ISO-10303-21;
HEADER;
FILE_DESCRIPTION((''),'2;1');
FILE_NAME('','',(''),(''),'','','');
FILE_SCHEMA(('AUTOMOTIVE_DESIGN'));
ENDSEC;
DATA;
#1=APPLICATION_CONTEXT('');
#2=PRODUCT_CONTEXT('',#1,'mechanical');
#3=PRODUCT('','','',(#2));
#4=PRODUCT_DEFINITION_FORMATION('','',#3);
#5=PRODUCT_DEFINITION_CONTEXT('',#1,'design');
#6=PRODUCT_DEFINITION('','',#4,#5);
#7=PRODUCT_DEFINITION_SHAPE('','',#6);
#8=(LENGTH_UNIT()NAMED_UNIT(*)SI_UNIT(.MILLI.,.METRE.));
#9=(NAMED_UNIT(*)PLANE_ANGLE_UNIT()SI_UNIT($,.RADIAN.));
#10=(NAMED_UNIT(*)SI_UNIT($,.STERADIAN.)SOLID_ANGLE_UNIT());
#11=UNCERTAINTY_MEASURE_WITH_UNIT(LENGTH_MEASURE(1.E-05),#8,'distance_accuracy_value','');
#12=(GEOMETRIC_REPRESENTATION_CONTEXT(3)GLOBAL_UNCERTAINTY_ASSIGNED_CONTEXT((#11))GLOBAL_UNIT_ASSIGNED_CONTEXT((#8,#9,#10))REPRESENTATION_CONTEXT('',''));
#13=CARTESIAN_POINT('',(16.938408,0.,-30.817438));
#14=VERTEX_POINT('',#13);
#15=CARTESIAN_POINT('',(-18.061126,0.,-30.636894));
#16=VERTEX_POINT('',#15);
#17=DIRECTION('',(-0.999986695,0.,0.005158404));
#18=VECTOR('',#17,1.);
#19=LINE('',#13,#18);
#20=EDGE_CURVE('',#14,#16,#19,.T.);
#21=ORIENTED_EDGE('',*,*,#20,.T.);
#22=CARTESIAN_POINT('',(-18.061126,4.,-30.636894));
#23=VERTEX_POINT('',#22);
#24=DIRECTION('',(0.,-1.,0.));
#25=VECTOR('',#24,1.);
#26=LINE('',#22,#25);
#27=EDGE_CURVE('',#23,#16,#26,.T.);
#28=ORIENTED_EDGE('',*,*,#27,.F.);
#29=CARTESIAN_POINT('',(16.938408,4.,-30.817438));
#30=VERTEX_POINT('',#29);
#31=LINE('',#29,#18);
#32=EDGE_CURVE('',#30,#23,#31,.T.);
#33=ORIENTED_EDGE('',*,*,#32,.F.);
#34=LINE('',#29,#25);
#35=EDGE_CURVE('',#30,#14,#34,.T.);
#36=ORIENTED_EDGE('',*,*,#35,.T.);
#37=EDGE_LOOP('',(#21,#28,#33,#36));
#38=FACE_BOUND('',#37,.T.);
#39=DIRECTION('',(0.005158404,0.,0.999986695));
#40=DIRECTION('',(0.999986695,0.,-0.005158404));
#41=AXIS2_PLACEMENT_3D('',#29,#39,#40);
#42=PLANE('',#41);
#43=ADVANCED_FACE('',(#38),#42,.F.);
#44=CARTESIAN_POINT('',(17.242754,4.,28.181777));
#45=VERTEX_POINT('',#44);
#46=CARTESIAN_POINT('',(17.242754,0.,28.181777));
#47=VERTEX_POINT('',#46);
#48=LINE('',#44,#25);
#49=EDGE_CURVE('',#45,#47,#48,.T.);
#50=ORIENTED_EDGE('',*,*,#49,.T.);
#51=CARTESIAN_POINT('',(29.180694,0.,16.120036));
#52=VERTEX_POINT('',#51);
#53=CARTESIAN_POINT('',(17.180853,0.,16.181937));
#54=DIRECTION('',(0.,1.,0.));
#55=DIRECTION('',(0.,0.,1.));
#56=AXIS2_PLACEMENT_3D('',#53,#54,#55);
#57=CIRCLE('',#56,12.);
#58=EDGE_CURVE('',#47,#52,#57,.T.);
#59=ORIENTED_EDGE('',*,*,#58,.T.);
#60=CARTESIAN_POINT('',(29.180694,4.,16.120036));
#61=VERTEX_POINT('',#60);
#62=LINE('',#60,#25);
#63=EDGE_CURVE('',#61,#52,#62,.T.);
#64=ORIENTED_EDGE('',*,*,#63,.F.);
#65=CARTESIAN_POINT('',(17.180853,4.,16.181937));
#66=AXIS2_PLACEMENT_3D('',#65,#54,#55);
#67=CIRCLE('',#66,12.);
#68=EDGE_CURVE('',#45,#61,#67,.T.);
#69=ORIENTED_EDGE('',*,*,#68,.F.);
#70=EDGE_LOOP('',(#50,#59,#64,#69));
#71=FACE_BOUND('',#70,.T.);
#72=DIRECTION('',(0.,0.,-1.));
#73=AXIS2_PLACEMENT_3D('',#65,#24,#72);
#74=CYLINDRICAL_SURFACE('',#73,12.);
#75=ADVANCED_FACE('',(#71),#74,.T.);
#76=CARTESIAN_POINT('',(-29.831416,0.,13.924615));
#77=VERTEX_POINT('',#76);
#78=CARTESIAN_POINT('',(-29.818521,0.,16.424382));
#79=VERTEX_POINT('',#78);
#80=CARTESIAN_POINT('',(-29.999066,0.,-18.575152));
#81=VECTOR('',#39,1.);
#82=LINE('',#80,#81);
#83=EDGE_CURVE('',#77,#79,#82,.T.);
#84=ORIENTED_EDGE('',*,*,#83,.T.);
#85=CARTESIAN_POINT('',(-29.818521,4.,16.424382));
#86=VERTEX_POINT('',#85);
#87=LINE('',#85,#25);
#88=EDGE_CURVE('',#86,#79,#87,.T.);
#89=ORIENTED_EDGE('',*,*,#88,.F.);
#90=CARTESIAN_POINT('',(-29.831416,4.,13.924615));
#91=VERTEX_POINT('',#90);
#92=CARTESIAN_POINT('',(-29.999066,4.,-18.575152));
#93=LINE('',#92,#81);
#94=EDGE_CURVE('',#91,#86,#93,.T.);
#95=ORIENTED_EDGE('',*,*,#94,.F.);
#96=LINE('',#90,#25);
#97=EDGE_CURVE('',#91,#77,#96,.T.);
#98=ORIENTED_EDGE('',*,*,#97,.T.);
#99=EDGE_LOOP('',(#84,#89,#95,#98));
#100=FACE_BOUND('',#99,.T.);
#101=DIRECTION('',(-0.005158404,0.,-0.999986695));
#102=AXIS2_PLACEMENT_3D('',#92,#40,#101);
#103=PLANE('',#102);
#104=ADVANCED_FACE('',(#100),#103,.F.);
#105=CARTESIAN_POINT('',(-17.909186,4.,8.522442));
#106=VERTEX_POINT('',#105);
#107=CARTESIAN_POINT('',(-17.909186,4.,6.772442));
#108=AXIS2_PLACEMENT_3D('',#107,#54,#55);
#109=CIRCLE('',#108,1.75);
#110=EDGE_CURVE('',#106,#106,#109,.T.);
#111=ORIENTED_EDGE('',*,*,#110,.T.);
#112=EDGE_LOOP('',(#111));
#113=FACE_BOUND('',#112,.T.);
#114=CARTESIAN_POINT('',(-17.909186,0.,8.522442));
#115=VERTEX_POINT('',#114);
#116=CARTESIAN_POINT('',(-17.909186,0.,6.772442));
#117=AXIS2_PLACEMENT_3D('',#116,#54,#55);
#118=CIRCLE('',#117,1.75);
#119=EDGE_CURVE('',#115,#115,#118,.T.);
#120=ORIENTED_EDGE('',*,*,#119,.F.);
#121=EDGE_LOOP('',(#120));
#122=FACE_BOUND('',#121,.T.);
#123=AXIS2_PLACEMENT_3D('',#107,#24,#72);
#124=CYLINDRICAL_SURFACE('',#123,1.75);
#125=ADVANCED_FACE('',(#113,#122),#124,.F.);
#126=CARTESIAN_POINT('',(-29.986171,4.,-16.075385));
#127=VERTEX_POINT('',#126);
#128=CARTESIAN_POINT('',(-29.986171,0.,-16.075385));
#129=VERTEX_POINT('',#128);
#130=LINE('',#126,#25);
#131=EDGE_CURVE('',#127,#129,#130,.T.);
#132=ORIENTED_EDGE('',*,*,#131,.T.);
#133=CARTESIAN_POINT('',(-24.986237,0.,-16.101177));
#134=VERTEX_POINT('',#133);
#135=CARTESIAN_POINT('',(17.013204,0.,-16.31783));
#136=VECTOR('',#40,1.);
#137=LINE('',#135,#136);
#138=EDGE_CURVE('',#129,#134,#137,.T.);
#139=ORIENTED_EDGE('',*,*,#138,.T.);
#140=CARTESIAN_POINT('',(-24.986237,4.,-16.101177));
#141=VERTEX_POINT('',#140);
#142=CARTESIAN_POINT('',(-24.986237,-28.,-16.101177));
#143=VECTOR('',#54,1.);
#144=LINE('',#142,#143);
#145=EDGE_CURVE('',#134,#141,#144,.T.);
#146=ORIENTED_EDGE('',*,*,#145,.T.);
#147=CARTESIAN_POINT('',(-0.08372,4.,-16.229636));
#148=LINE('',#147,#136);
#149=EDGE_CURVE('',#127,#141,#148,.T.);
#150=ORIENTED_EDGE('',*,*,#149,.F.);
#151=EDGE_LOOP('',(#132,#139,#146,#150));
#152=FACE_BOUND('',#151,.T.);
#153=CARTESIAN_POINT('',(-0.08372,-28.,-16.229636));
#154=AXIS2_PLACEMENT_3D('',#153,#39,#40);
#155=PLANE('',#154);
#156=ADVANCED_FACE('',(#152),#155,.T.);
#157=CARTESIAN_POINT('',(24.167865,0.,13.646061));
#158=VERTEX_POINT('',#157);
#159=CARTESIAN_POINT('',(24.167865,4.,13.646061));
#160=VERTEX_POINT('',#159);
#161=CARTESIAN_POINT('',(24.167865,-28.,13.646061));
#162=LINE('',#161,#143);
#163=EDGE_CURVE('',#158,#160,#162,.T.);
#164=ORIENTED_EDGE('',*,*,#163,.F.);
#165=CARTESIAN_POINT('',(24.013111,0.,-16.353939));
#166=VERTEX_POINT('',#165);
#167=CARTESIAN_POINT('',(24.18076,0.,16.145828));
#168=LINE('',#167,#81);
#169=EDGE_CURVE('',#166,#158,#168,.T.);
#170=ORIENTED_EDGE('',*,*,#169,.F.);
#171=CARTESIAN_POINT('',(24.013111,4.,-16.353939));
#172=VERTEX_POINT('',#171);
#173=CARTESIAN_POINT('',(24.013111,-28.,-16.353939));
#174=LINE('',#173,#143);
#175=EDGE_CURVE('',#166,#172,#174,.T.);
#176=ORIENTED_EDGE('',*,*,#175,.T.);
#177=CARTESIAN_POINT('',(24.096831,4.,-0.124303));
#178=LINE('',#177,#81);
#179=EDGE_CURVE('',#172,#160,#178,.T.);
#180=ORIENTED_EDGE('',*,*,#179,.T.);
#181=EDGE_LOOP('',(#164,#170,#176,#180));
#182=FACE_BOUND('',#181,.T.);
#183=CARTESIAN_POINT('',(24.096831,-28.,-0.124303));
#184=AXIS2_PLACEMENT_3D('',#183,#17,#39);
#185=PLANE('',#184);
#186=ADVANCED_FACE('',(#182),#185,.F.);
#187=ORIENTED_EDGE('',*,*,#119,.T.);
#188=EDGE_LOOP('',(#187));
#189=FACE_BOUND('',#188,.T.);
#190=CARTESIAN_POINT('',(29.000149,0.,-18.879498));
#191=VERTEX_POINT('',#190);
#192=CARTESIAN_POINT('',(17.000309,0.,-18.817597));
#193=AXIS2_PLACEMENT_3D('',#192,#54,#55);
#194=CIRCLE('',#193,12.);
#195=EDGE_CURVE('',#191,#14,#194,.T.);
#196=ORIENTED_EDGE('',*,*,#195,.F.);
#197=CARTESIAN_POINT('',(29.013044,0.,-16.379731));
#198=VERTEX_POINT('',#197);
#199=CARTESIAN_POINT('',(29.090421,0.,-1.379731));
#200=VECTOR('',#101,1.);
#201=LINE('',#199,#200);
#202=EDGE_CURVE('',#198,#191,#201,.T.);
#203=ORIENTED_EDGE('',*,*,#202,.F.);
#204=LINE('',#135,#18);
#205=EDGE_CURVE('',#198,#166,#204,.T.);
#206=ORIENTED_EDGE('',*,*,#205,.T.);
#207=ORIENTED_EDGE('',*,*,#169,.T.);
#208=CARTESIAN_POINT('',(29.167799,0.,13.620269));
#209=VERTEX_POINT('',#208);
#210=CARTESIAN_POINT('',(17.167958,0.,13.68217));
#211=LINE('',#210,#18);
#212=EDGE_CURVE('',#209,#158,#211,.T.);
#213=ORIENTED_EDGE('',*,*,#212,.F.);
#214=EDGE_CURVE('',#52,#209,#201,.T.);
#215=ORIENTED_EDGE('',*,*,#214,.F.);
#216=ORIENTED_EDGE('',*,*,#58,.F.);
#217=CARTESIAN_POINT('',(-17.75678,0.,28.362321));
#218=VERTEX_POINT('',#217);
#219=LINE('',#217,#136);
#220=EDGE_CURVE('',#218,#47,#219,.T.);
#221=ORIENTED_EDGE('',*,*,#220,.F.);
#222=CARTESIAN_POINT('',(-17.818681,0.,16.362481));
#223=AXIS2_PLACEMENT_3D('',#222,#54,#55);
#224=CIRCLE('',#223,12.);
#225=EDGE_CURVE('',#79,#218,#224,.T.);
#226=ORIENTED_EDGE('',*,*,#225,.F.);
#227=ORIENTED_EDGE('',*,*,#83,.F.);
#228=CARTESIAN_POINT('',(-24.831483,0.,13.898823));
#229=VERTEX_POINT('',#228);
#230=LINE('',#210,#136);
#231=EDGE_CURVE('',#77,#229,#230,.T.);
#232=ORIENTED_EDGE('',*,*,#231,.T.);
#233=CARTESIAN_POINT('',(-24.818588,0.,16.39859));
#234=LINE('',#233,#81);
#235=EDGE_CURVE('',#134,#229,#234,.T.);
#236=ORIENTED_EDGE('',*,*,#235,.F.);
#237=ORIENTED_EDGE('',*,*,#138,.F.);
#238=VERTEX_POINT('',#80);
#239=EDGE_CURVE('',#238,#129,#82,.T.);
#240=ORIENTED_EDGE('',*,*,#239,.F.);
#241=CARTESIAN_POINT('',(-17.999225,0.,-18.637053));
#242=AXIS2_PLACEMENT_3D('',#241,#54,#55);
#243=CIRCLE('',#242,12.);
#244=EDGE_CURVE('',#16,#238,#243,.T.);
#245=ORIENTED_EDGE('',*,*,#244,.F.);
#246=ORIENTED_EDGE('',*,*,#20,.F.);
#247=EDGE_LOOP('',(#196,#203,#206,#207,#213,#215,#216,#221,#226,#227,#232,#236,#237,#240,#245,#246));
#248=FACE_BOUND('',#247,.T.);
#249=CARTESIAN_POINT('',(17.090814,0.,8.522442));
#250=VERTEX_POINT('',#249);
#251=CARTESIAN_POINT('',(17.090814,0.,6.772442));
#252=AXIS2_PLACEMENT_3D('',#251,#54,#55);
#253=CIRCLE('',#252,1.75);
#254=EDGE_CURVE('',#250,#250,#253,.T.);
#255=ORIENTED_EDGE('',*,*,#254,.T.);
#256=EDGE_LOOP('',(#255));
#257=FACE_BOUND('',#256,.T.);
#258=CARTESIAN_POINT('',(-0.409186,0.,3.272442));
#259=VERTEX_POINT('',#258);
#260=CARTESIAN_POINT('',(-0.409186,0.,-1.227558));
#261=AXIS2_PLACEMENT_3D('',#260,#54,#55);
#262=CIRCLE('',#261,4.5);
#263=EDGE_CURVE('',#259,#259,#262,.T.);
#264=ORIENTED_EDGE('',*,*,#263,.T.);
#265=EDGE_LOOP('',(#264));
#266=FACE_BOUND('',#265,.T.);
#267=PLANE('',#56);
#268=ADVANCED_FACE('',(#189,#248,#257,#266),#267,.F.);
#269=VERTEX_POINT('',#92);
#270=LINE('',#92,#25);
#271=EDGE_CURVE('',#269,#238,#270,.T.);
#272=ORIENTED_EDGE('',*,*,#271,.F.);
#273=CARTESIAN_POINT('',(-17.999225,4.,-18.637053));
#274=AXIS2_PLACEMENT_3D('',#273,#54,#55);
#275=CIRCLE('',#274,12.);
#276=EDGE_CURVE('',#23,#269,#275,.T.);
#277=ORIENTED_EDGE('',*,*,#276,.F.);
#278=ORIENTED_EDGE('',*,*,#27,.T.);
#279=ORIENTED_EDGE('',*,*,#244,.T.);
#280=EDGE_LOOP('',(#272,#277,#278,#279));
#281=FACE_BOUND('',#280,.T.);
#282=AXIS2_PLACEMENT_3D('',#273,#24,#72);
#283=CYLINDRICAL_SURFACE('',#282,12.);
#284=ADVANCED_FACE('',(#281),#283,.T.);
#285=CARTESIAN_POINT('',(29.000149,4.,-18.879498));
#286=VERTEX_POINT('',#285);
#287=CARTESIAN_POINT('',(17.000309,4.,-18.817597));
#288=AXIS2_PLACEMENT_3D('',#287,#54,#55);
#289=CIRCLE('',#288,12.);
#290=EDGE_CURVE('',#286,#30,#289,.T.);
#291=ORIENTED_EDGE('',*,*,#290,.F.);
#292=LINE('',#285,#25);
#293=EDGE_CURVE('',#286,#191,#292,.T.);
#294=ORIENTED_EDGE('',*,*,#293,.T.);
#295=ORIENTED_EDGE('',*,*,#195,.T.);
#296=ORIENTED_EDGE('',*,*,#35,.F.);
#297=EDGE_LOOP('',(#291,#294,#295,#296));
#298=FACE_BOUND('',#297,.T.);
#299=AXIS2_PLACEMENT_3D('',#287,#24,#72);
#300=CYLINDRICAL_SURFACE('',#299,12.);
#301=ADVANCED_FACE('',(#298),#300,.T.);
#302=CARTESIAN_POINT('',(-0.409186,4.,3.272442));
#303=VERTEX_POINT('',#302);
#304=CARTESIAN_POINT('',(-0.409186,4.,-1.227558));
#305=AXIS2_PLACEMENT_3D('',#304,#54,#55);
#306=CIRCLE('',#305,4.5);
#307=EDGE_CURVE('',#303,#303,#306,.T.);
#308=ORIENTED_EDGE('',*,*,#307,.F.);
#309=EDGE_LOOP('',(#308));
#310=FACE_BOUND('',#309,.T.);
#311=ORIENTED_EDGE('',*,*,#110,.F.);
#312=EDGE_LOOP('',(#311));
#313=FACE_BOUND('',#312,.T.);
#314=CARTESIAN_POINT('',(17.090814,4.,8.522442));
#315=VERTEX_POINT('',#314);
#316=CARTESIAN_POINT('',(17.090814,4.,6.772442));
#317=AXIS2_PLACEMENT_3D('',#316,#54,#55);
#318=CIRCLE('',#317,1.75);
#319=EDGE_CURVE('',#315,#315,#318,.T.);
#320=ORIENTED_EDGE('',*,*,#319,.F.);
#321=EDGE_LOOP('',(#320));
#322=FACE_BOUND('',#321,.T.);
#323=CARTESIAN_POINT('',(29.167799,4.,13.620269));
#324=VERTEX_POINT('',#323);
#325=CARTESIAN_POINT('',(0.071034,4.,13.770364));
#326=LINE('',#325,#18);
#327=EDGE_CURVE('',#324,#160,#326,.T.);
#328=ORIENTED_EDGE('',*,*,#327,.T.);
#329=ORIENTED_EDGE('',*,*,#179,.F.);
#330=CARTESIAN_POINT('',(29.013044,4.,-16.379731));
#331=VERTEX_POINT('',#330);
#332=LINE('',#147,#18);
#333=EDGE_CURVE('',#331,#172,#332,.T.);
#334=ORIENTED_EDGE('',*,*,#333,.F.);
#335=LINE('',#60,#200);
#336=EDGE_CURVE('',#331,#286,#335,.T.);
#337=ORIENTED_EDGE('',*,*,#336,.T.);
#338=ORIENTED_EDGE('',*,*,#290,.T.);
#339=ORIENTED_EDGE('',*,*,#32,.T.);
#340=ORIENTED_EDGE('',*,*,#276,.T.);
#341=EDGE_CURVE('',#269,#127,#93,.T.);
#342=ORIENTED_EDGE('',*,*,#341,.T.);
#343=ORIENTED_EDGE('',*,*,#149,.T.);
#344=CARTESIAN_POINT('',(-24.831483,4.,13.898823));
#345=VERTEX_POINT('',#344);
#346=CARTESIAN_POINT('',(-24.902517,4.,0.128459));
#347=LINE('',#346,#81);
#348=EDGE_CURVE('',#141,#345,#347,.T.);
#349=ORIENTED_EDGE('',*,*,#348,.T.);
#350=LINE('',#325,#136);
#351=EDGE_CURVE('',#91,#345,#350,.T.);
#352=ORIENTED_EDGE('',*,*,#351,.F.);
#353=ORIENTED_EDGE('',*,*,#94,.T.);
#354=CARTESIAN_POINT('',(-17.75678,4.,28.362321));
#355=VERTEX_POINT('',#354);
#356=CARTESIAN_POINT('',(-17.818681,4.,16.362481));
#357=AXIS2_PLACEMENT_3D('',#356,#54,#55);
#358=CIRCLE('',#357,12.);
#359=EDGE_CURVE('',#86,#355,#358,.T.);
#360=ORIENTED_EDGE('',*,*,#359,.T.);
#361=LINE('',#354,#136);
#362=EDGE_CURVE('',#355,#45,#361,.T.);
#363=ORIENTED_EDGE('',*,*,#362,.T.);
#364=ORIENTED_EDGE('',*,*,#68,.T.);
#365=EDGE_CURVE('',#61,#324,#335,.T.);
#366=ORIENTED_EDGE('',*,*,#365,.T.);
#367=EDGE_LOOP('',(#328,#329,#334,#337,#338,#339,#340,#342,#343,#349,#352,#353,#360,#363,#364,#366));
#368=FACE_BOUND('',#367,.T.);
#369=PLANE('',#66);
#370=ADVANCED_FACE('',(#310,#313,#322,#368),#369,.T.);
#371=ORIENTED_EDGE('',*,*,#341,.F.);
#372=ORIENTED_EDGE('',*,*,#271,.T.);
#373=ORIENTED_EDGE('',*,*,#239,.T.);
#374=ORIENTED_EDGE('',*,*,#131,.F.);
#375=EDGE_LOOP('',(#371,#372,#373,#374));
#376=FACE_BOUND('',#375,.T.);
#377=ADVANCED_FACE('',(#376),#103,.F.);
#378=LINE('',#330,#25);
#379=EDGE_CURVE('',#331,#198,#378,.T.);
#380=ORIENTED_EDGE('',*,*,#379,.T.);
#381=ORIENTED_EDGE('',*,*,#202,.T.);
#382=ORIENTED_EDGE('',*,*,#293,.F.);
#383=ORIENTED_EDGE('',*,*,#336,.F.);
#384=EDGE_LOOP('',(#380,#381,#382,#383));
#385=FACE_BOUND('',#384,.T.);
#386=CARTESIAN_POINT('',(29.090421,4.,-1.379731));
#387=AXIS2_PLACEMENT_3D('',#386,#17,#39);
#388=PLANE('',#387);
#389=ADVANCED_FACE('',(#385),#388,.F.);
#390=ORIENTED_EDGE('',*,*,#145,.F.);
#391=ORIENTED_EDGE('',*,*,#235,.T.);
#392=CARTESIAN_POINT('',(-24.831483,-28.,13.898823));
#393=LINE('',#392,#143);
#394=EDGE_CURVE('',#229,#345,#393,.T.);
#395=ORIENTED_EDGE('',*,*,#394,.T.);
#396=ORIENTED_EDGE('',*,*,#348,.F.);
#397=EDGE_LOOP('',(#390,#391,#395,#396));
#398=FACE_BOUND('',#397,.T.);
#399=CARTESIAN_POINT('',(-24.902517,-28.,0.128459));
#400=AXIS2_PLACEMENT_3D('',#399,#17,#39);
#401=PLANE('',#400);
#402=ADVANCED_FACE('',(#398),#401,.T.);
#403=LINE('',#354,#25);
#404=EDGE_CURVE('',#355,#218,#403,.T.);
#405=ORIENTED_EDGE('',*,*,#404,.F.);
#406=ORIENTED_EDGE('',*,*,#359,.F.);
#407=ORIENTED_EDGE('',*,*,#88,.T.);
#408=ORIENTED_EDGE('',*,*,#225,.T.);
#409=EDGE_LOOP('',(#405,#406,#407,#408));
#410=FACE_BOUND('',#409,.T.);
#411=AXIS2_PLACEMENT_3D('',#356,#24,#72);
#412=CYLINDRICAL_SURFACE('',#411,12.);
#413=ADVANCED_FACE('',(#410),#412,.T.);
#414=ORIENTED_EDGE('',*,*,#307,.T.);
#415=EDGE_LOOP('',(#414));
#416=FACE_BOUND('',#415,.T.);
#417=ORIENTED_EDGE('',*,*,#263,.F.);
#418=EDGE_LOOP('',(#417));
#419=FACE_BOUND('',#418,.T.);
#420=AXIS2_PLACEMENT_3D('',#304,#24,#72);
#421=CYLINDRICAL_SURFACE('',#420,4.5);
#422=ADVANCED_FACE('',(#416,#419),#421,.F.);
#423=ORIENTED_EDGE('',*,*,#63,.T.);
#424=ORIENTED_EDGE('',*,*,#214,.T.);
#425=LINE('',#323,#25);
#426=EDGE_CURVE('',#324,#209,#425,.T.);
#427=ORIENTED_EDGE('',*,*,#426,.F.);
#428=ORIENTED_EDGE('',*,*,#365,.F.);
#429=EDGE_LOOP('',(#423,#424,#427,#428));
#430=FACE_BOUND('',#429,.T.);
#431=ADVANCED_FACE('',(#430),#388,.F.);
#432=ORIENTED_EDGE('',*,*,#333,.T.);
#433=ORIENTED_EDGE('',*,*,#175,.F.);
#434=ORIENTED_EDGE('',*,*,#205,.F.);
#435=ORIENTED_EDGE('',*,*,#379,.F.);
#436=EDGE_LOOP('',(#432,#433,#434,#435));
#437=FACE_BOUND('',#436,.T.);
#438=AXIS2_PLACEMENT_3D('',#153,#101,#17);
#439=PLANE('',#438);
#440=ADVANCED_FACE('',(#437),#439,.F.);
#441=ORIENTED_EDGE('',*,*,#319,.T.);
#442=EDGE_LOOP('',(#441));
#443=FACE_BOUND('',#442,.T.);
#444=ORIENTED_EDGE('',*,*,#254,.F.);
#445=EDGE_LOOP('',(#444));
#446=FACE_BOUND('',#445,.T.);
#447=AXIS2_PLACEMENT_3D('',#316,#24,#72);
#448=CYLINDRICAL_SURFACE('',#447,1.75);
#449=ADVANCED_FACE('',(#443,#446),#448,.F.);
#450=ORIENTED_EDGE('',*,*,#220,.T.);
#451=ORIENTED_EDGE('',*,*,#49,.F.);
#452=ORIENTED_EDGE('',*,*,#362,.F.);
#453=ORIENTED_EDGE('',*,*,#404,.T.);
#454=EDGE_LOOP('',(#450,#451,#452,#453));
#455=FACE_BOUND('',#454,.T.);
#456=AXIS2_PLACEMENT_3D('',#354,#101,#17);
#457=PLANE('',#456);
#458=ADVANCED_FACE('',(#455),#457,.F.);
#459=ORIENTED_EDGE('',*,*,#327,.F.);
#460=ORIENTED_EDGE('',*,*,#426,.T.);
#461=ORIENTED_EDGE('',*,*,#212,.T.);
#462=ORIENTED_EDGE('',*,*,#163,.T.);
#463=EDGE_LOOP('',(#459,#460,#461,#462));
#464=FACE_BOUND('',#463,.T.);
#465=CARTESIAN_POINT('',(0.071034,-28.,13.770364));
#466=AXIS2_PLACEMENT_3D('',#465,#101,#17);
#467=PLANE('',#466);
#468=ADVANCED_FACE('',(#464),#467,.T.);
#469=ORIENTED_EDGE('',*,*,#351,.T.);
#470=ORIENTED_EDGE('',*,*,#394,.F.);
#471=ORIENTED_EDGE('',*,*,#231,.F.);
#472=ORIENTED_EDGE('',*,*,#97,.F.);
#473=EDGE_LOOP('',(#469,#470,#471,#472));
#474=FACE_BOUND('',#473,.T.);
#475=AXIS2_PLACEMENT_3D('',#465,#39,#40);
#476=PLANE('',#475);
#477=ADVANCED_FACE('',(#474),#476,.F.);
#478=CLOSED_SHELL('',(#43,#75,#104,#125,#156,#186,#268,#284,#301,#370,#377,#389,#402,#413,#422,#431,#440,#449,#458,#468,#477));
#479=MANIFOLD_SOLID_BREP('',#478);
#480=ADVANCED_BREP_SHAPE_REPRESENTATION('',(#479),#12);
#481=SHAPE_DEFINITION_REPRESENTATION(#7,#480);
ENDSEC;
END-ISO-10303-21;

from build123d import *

# Parameters (mm, degrees)
BOSS_EXTRUDE1_DEPTH = 4
CUT_EXTRUDE2_DEPTH  = 32


with BuildPart() as part:
    # Sketch1 → Boss-Extrude1 (new body)
    with BuildSketch(Plane(origin=(0, 0, 0), x_dir=(1, 0, 0), z_dir=(0, 1, 0))):
        with BuildLine():
            Line((29.180693553, -16.120036167), (29.090421484, 1.379731001))
            Line((29.090421484, 1.379731001), (29.000149416, 18.87949817))
            ThreePointArc((29.000149416, 18.87949817), (25.441707043, 27.346536312), (16.938408224, 30.817437667))
            Line((16.938408224, 30.817437667), (-18.061126113, 30.63689353))
            ThreePointArc((-18.061126113, 30.63689353), (-26.528164255, 27.078451157), (-29.99906561, 18.575152338))
            Line((-29.99906561, 18.575152338), (-29.818521473, -16.424381999))
            ThreePointArc((-29.818521473, -16.424381999), (-26.2600791, -24.891420141), (-17.756780281, -28.362321496))
            Line((-17.756780281, -28.362321496), (17.242754056, -28.181777358))
            ThreePointArc((17.242754056, -28.181777358), (25.709792198, -24.623334986), (29.180693553, -16.120036167))
        make_face()
        with BuildLine():
            ThreePointArc((17.090813971, -8.522441914), (18.840813971, -6.772441914), (17.090813971, -5.022441914))
            ThreePointArc((17.090813971, -5.022441914), (15.340813971, -6.772441914), (17.090813971, -8.522441914))
        make_face(mode=Mode.SUBTRACT)
        with BuildLine():
            ThreePointArc((-17.909186029, -5.022441914), (-19.659186029, -6.772441914), (-17.909186029, -8.522441914))
            ThreePointArc((-17.909186029, -8.522441914), (-16.159186029, -6.772441914), (-17.909186029, -5.022441914))
        make_face(mode=Mode.SUBTRACT)
        with BuildLine():
            ThreePointArc((-0.409186029, 5.727558086), (-4.909186029, 1.227558086), (-0.409186029, -3.272441914))
            ThreePointArc((-0.409186029, -3.272441914), (4.090813971, 1.227558086), (-0.409186029, 5.727558086))
        make_face(mode=Mode.SUBTRACT)
    extrude(amount=BOSS_EXTRUDE1_DEPTH)

    # Sketch2 → Cut-Extrude2 (cut)
    with BuildSketch(Plane(origin=(0, 4, 0), x_dir=(1, 0, 0), z_dir=(0, 1, 0))):
        Polygon((-24.831482976, -13.898822811), (-24.986237153, 16.101177189), (-29.98617063, 16.07538517), (-29.831416453, -13.92461483), align=None)
        Polygon((29.167798572, -13.620268999), (29.013044396, 16.379731001), (24.013110919, 16.353938982), (24.167865096, -13.646061018), align=None)
    extrude(amount=-CUT_EXTRUDE2_DEPTH, mode=Mode.SUBTRACT)


solid = part.part
